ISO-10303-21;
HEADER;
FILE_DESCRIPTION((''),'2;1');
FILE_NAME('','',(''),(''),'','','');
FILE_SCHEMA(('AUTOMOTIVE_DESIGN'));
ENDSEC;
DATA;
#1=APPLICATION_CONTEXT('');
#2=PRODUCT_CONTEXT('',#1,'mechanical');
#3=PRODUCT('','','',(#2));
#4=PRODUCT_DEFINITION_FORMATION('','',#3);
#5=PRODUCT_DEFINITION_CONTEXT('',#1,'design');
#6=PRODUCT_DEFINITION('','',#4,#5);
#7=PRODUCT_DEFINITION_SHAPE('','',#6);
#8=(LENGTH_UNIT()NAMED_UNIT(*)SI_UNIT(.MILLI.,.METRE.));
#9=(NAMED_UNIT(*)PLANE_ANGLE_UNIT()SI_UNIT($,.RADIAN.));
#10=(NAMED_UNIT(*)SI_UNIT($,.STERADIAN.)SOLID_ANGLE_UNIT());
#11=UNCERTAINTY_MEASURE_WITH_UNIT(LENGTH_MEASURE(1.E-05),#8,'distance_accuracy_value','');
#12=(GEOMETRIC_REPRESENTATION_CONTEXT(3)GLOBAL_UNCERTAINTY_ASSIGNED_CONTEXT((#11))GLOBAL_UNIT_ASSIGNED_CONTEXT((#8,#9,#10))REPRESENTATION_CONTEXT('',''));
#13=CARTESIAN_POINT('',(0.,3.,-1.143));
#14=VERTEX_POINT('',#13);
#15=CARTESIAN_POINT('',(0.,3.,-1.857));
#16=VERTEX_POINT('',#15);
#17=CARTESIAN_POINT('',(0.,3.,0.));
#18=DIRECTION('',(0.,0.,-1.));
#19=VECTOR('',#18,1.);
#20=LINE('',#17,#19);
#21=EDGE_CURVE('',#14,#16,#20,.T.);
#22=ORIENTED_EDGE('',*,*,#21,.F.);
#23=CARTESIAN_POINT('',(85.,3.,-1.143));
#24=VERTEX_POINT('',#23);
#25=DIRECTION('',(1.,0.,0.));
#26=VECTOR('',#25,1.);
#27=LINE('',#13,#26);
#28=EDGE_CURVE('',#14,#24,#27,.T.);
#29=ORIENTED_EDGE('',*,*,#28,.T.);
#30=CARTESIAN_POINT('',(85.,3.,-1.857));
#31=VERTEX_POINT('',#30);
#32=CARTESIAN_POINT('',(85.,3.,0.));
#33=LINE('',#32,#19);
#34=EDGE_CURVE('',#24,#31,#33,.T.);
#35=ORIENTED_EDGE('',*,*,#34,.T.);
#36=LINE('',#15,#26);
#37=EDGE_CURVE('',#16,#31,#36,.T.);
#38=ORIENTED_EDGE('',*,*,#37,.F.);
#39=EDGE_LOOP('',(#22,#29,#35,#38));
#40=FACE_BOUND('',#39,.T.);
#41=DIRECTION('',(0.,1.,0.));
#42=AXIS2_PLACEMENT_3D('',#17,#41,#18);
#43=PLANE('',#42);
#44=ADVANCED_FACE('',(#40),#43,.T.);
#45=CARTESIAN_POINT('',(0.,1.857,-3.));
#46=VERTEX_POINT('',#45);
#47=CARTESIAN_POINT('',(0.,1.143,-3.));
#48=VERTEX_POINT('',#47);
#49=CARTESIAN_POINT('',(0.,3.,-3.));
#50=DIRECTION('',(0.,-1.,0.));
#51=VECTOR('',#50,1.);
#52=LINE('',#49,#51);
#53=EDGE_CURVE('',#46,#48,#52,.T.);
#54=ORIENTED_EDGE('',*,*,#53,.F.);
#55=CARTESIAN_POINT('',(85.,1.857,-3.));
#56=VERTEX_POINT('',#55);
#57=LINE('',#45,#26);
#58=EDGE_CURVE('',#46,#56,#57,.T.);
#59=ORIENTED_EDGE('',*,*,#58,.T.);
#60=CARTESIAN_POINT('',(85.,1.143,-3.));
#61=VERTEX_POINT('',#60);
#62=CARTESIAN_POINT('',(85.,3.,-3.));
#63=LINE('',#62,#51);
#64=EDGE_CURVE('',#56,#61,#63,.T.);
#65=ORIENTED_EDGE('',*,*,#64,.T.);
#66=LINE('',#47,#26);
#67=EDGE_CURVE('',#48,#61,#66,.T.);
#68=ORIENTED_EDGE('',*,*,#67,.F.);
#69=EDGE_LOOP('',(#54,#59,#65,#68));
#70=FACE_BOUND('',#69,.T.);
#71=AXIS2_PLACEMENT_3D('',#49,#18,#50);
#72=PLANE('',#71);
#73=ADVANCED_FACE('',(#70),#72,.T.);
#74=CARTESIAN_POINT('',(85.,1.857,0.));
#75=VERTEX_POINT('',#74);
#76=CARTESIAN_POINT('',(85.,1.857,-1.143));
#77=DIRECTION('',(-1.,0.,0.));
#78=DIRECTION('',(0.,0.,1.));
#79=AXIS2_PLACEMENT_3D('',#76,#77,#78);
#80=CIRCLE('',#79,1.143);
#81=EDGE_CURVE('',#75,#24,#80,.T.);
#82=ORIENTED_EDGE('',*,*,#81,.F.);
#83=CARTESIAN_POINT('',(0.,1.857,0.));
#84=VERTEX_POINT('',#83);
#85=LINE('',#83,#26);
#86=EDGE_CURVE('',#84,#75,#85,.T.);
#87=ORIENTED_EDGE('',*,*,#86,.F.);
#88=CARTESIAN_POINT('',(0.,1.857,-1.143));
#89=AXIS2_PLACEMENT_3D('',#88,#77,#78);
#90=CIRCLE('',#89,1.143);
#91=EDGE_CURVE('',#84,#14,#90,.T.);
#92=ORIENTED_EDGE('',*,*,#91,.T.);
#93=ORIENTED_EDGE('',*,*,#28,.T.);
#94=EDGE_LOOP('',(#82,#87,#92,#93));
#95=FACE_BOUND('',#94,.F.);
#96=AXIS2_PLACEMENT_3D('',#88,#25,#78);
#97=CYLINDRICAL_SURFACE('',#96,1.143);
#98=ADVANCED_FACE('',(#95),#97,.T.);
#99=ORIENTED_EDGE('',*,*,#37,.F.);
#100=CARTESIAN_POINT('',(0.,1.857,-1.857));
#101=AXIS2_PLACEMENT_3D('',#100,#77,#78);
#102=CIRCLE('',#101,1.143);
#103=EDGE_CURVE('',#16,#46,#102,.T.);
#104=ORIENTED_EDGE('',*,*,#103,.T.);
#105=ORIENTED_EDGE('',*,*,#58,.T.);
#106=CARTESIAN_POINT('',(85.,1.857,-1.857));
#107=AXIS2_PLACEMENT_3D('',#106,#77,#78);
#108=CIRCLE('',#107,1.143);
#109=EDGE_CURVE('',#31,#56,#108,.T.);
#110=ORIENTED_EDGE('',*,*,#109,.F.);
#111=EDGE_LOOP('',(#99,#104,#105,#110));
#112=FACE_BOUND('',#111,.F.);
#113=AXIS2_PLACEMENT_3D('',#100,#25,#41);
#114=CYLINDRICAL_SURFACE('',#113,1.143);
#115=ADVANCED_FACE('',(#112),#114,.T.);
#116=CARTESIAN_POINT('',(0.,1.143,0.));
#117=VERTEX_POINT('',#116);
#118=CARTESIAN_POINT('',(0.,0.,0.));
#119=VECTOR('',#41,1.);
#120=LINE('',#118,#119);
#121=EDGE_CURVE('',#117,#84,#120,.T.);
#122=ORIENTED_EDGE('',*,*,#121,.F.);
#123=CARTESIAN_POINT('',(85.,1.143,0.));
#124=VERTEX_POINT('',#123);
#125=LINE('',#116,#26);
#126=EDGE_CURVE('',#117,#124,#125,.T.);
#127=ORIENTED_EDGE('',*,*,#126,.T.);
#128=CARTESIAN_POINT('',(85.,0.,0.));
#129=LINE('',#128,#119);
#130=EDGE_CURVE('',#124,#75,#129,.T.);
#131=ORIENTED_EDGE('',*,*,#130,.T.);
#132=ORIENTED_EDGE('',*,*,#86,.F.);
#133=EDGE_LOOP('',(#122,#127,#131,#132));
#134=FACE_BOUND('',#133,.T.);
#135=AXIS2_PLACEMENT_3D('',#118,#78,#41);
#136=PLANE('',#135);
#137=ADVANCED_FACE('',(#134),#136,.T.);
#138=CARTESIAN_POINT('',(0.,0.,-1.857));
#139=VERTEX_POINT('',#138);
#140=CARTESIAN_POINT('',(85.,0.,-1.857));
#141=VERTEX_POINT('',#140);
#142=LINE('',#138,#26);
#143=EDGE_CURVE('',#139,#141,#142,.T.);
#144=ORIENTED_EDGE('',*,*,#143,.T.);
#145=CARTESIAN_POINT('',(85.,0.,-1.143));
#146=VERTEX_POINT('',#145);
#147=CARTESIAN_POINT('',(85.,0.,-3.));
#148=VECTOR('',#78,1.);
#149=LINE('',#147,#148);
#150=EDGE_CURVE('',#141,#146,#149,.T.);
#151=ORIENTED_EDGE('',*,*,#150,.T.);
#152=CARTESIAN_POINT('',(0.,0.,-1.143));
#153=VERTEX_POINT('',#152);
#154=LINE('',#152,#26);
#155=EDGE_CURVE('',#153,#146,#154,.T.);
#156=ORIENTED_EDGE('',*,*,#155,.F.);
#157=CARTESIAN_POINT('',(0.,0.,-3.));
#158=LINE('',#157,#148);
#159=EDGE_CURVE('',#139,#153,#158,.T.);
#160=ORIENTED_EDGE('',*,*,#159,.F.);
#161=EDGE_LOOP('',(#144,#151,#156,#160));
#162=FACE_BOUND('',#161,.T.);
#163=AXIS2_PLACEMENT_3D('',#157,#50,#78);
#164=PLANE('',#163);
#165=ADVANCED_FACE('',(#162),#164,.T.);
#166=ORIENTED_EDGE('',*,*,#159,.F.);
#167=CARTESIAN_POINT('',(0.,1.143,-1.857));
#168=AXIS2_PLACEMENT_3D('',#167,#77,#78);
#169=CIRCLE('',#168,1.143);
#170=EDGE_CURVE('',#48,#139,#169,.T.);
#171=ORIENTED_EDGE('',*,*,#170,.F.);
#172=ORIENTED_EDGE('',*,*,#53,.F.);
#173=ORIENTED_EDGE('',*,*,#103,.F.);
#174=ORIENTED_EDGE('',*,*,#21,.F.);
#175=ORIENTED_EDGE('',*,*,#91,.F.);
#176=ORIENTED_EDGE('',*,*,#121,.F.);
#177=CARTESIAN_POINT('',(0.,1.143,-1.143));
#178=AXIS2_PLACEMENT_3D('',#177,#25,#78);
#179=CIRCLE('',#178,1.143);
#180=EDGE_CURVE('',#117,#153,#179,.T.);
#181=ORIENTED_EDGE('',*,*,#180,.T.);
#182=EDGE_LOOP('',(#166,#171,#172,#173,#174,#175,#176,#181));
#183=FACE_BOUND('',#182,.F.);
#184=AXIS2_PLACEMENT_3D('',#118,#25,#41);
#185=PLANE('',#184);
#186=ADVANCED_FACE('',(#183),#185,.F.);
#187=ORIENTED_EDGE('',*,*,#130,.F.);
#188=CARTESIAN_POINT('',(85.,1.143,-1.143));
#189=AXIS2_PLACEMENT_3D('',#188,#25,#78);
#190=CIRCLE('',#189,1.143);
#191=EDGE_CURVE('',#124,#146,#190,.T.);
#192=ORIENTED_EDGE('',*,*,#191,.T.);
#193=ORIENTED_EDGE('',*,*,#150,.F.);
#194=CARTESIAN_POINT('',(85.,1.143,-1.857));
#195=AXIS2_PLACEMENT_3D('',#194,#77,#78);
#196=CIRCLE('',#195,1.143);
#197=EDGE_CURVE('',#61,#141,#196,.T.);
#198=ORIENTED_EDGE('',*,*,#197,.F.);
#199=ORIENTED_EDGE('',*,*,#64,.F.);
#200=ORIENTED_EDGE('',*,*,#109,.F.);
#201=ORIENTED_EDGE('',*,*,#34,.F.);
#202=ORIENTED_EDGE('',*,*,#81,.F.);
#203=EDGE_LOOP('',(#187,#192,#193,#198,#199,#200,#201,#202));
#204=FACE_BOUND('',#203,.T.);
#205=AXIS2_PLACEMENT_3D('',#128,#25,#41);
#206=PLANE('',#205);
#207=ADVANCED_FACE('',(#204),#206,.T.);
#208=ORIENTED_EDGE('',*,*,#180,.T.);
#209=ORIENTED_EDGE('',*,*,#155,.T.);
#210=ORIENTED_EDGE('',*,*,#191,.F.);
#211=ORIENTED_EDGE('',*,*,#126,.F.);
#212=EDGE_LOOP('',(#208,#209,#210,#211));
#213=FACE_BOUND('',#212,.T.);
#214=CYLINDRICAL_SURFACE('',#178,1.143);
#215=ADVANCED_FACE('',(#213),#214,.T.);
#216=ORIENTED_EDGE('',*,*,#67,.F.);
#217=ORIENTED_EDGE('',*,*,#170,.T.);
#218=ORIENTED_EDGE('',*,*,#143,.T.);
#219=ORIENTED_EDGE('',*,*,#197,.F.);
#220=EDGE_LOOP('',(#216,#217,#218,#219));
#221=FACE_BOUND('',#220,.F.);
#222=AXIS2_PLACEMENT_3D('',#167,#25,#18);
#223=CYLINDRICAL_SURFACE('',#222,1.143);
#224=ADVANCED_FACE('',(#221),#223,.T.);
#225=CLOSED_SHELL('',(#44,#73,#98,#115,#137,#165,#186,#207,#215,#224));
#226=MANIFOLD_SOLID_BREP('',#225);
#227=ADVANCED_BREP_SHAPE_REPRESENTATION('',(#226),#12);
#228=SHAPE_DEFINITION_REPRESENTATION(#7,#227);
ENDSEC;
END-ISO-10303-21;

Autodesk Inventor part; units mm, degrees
ref_plane "YZ Plane" through (0, 0, 0) normal (1, 0, 0) x (0, 1, 0)
ref_plane "XZ Plane" through (0, 0, 0) normal (0, 1, 0) x (-1, 0, 0)
sketch "Sketch1" plane through (0, 0, 0) normal (1, 0, 0) x (0, 1, 0)
  line L0 (0, 0) -> (3, 0)
  line L1 (3, 0) -> (3, -3)
  line L2 (3, -3) -> (0, -3)
  line L3 (0, -3) -> (0, 0)
  dimension "d0" = 3
  dimension "d1" = 3
extrude "Extrusion1" add sketch "Sketch1" along normal blind 85
fillet "Fillet1" radius 1.143 4 edges at (42.5, 3, 0) (42.5, 3, -3) (42.5, 0, 0) (42.5, 0, -3)
ref_plane "Work Plane1" through (0, 1.143, -1.5) normal (0, 0, 1) x (1, 0, 0)
properties part number "Axle"
